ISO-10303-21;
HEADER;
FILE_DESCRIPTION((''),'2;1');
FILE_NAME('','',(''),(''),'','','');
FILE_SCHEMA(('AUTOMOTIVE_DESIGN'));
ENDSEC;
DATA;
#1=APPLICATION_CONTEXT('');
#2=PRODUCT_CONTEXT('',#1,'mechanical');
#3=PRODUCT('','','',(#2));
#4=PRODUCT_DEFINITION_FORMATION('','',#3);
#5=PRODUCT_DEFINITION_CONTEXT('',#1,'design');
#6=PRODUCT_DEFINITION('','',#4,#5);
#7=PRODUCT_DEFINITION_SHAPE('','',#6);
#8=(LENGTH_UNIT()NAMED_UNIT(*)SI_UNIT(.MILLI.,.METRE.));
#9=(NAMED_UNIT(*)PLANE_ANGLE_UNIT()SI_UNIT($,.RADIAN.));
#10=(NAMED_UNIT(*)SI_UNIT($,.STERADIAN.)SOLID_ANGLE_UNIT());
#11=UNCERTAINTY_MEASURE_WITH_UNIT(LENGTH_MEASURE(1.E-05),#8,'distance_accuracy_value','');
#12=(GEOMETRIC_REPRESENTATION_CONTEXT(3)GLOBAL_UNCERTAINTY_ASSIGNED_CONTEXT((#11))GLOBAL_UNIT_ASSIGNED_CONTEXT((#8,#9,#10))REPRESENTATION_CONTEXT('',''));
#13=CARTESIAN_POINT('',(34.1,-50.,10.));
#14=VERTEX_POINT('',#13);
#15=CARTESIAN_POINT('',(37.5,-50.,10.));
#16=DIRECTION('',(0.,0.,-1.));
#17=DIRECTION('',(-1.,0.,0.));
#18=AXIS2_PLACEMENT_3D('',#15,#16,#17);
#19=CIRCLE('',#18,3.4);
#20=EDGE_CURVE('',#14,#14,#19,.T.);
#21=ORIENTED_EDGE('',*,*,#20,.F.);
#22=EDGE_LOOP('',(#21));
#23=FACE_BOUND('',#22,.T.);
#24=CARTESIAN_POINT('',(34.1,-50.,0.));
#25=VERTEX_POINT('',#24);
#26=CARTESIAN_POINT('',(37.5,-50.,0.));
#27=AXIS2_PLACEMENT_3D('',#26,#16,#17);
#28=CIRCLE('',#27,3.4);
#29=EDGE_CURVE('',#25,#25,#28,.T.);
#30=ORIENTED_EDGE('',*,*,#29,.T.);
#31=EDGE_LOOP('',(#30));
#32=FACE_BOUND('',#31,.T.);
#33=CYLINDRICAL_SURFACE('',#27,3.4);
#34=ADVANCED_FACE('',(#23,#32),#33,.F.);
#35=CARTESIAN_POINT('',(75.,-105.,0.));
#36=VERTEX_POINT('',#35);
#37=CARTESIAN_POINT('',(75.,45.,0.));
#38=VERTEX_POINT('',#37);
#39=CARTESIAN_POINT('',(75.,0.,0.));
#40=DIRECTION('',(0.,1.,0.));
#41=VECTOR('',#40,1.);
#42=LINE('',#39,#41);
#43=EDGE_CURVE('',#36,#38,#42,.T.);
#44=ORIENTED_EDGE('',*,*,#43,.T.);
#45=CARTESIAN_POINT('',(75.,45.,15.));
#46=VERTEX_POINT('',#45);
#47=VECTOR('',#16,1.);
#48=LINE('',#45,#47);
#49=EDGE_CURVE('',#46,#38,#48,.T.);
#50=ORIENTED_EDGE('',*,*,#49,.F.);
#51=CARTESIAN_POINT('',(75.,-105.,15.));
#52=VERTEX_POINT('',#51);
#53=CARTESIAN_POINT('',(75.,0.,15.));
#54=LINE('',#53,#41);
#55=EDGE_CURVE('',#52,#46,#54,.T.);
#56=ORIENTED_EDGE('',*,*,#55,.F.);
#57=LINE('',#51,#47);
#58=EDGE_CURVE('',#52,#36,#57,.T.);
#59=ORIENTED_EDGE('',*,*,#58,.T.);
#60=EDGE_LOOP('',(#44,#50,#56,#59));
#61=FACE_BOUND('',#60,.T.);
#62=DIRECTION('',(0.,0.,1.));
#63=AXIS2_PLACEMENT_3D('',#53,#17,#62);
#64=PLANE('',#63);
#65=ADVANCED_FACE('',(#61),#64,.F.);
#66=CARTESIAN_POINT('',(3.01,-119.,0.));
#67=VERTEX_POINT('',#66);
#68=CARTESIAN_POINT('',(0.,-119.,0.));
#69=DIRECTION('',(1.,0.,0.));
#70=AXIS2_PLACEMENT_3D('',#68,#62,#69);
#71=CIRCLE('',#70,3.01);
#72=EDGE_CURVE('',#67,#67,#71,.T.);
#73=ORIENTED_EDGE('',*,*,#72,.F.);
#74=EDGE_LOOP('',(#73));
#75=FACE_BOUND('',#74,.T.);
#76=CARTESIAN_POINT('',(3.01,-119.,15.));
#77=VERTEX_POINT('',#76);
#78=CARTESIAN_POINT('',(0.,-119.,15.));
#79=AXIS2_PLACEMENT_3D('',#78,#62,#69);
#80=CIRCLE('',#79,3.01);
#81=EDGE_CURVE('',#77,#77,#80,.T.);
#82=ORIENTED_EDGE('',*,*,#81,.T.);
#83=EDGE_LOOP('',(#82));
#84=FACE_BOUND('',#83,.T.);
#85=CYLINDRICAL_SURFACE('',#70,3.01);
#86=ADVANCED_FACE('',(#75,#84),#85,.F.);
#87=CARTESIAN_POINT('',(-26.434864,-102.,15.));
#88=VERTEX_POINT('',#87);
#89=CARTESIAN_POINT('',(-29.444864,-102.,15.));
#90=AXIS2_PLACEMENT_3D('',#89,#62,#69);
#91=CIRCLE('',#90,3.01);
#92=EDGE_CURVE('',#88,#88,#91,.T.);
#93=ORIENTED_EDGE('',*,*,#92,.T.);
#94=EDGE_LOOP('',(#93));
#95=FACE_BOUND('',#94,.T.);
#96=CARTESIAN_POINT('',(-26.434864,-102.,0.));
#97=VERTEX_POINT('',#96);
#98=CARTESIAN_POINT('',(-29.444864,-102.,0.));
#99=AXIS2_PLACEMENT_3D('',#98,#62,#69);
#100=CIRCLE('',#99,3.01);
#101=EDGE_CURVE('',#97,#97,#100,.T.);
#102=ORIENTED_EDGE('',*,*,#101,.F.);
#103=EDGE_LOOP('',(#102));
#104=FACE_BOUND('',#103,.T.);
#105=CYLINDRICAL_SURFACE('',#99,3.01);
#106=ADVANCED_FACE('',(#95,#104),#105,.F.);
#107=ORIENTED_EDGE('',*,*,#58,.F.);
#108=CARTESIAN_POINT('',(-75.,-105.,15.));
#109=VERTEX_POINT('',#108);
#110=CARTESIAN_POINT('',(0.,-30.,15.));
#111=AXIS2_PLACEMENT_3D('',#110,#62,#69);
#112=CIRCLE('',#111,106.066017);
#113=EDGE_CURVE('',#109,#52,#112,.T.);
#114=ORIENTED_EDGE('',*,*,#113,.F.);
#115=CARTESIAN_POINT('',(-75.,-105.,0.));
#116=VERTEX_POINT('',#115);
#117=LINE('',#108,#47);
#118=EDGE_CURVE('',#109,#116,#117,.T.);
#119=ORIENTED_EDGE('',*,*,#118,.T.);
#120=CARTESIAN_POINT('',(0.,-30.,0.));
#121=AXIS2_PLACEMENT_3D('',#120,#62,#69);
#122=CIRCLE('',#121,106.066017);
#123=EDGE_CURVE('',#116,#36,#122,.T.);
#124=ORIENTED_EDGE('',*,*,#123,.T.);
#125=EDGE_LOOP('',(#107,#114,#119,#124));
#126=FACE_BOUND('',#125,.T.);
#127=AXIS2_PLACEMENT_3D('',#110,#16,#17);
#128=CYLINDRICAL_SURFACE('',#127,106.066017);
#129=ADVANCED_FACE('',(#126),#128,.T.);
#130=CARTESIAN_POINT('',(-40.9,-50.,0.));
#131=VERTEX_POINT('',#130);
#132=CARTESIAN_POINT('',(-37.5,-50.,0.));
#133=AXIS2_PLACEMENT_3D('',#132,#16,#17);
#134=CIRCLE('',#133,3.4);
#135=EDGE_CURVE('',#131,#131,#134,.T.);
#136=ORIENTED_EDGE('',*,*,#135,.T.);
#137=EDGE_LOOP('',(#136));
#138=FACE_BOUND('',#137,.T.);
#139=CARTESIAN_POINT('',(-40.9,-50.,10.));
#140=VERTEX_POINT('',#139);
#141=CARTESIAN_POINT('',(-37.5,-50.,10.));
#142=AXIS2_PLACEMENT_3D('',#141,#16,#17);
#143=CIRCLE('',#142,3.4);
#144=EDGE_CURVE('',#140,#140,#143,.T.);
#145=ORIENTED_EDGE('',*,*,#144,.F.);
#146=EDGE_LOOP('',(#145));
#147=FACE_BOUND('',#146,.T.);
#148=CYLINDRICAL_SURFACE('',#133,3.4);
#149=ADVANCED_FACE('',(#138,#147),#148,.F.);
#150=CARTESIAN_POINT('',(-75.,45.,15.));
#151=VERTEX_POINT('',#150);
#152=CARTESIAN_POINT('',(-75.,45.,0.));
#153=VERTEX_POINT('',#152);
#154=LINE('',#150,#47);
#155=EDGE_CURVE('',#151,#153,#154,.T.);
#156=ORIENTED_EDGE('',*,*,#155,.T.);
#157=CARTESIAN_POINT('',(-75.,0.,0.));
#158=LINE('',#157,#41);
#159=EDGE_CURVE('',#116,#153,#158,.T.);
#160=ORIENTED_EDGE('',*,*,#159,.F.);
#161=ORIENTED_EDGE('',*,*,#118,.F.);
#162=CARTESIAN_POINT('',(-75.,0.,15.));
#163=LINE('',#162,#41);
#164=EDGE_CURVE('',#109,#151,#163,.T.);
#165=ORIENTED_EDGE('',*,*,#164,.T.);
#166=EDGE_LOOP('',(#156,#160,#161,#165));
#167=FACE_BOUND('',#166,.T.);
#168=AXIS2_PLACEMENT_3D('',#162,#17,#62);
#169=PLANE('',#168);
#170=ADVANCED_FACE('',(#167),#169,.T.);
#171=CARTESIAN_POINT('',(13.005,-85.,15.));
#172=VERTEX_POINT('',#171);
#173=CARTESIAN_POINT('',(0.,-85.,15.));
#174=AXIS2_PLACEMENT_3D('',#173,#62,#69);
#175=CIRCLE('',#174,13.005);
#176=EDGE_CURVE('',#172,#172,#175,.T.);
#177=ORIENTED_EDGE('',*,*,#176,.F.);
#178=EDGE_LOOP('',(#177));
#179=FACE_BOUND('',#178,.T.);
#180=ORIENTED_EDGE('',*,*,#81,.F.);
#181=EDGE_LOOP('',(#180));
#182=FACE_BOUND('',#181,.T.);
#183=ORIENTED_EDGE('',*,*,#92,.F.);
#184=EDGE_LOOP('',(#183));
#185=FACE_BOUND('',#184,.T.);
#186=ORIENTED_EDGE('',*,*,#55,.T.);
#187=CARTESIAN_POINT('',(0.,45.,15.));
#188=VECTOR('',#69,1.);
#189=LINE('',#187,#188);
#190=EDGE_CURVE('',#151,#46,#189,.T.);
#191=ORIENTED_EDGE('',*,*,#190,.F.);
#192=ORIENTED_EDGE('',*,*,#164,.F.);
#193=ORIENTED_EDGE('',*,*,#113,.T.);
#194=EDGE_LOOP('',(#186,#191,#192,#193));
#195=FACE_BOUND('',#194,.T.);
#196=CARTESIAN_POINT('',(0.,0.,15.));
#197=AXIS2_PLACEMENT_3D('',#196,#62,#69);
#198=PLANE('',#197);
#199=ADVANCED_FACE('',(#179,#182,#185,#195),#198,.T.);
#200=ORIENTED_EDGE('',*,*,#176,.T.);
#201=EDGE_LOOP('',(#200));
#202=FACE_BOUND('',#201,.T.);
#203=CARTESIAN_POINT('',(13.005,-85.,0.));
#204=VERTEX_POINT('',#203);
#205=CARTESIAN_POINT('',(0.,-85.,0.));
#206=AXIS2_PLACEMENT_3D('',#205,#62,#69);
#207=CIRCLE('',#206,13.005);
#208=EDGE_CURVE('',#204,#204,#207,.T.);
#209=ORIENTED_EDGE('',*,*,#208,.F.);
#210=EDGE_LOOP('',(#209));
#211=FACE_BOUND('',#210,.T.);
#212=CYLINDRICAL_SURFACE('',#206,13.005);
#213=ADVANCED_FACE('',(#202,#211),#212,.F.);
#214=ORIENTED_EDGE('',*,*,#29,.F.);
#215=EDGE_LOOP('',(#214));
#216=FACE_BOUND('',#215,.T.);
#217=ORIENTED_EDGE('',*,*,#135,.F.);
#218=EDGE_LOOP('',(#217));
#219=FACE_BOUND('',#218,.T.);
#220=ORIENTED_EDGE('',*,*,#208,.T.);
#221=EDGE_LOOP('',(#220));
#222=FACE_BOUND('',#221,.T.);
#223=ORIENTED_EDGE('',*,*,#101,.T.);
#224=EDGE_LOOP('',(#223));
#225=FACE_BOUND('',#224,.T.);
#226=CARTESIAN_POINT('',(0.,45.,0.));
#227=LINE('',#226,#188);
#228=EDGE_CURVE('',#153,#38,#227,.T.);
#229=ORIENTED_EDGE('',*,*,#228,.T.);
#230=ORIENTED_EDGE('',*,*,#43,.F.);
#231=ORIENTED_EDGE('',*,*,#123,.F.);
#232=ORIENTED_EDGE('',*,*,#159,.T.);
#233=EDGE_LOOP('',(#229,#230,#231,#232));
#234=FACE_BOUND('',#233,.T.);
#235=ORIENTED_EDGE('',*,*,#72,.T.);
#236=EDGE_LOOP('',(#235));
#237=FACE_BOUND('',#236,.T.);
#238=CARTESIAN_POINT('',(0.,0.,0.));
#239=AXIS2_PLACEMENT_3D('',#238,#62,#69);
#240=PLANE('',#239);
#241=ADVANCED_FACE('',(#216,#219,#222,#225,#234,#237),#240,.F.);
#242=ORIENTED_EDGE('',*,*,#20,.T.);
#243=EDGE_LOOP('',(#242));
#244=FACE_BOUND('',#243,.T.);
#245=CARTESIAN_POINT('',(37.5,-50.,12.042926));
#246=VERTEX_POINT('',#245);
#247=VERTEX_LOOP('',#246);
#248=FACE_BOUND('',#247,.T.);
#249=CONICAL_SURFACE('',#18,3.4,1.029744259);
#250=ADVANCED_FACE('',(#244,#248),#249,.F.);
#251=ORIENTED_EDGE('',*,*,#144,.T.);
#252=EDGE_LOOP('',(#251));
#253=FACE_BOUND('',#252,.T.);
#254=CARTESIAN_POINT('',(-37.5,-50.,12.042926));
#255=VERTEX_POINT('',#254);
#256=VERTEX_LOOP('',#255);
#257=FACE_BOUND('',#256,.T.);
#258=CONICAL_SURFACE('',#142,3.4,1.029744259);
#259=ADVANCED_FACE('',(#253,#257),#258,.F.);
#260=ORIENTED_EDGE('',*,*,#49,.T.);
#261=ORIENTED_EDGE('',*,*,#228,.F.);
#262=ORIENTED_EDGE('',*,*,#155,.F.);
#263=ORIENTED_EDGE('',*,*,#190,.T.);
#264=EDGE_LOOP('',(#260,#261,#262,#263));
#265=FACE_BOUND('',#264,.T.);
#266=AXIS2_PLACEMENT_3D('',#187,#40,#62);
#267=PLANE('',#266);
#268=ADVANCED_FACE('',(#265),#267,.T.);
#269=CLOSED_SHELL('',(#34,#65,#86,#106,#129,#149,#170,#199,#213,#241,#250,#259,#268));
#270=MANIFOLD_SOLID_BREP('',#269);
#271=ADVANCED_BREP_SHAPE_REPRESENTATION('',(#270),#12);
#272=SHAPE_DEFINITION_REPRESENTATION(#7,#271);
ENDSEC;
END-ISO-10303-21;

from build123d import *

# Parameters (mm, degrees)
SKETCH2_W                        = 150
SKETCH2_H                        = 90
SKETCH2_H_2                      = 60
BOSS_EXTRUDE1_DEPTH              = 15
SKETCH3_R                        = 13.005
SKETCH3_R_2                      = 3.01
CUT_EXTRUDE1_DEPTH               = 16
TAP_DRILL_FOR_M8X1_25_TAP1_D     = 6.8
TAP_DRILL_FOR_M8X1_25_TAP1_DEPTH = 10
TAP_DRILL_FOR_M8X1_25_TAP1_TIP   = 2.042926105


with BuildPart() as part:
    # Sketch2 → Boss-Extrude1 (new body)
    with BuildSketch(Plane.XY):
        Rectangle(SKETCH2_W, SKETCH2_H)
        with Locations((0, -75)):
            Rectangle(SKETCH2_W, SKETCH2_H_2)
        with BuildLine():
            Line((-75, -105), (75, -105))
            ThreePointArc((75, -105), (0, -136.066017178), (-75, -105))
        make_face()
    extrude(amount=BOSS_EXTRUDE1_DEPTH)

    # Sketch3 → Cut-Extrude1 (cut, through all)
    with BuildSketch(Plane.XY.offset(15)):
        with Locations((0, -85)):
            Circle(SKETCH3_R)
        with Locations((-29.444863729, -102)):
            Circle(SKETCH3_R_2)
        with Locations((0, -119)):
            Circle(SKETCH3_R_2)
    extrude(amount=-CUT_EXTRUDE1_DEPTH, mode=Mode.SUBTRACT)

    # Tap Drill for M8x1.25 Tap1
    with Locations(Plane(origin=(0, 0, 0), x_dir=(-1, 0, 0), z_dir=(0, 0, -1))):
        with Locations((-37.5, -50), (37.5, -50)):
            Hole(TAP_DRILL_FOR_M8X1_25_TAP1_D / 2, depth=TAP_DRILL_FOR_M8X1_25_TAP1_DEPTH)
            with Locations((0, 0, -(TAP_DRILL_FOR_M8X1_25_TAP1_DEPTH + TAP_DRILL_FOR_M8X1_25_TAP1_TIP / 2))):  # 118° drill point
                Cone(0, TAP_DRILL_FOR_M8X1_25_TAP1_D / 2, TAP_DRILL_FOR_M8X1_25_TAP1_TIP, mode=Mode.SUBTRACT)


solid = part.part
